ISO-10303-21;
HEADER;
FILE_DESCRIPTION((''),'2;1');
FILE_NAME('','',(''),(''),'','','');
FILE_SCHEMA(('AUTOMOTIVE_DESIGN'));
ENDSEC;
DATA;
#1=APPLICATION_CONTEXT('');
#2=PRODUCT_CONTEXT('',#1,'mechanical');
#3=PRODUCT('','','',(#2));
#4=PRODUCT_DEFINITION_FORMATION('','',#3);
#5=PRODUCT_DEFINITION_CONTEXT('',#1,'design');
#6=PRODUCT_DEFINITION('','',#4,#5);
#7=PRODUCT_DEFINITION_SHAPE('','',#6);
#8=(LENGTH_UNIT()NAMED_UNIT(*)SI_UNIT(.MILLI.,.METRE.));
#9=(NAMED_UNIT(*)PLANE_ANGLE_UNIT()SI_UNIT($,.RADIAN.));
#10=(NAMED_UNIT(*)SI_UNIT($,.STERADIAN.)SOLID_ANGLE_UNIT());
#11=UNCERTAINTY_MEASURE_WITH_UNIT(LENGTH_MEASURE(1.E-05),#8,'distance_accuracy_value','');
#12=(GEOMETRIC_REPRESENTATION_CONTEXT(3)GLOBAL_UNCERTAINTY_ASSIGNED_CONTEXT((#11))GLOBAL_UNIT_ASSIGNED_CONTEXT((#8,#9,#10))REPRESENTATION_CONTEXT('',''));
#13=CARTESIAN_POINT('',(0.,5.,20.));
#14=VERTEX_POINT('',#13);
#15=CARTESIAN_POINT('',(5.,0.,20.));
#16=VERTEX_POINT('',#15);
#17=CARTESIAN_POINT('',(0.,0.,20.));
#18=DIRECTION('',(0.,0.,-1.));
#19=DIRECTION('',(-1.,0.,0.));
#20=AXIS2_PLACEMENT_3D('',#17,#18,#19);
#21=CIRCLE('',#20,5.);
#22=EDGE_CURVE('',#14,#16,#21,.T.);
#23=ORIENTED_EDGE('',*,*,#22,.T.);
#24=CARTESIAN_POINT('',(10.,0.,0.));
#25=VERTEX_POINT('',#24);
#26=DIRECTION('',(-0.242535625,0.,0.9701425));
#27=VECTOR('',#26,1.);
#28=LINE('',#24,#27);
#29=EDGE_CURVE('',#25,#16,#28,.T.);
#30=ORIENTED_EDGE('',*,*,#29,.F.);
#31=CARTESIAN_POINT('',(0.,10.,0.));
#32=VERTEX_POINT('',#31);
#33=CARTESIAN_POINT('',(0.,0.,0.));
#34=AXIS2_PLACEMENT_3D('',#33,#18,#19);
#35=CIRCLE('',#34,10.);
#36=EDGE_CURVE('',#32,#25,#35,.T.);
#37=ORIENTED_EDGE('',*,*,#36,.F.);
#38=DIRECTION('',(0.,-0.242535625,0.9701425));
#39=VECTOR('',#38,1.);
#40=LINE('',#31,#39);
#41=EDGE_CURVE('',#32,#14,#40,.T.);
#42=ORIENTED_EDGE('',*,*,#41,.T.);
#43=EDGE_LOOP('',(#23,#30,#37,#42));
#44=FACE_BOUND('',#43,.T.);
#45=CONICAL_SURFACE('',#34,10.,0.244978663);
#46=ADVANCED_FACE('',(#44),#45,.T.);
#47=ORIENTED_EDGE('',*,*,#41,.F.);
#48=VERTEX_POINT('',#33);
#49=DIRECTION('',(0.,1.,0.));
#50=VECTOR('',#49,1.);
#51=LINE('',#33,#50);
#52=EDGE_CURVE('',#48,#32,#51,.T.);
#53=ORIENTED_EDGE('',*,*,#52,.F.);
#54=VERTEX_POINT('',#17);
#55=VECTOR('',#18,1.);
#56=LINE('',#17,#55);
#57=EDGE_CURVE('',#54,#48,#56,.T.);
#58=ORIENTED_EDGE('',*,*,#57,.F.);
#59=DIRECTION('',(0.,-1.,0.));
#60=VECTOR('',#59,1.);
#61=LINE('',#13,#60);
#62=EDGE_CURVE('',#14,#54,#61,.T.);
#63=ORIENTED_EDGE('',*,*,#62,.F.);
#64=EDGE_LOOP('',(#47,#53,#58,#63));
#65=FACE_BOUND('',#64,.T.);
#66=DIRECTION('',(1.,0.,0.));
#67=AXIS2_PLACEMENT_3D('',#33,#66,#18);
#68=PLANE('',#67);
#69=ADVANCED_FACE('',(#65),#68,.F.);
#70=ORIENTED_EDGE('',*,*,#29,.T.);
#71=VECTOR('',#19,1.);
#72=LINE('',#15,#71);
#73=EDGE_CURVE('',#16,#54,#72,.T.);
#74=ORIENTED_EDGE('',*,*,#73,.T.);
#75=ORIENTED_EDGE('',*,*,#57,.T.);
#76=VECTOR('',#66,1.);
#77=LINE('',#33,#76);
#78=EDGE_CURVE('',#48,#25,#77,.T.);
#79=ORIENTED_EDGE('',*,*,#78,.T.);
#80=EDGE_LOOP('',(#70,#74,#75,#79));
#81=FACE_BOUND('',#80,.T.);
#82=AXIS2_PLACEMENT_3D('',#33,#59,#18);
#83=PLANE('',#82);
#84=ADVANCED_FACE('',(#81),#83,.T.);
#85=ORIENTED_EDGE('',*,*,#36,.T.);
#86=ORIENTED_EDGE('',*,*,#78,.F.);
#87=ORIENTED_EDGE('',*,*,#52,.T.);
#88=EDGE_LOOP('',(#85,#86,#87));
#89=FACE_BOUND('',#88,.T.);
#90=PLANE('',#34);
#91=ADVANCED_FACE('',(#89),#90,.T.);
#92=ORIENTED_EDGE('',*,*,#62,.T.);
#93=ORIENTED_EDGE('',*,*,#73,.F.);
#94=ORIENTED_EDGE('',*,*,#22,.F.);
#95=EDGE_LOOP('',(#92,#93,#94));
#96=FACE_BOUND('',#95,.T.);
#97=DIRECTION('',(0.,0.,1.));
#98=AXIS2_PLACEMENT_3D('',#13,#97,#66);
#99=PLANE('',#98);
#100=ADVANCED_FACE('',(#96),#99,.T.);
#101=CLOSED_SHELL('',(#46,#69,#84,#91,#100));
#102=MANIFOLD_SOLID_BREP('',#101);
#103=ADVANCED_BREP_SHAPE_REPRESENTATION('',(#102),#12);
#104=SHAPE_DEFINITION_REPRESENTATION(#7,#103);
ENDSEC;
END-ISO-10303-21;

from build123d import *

# Parameters (mm, degrees)
FEATURE_FRUSTUM_ANGLE = 90


with BuildPart() as part:
    # sketch:main-profile → feature:frustum (revolve)
    with BuildSketch(Plane.XZ):
        Polygon((0, 0), (10, 0), (5, 20), (0, 20), align=None)
    revolve(axis=Axis((0, 0, -5), (0, 0, 1)), revolution_arc=FEATURE_FRUSTUM_ANGLE)


solid = part.part
